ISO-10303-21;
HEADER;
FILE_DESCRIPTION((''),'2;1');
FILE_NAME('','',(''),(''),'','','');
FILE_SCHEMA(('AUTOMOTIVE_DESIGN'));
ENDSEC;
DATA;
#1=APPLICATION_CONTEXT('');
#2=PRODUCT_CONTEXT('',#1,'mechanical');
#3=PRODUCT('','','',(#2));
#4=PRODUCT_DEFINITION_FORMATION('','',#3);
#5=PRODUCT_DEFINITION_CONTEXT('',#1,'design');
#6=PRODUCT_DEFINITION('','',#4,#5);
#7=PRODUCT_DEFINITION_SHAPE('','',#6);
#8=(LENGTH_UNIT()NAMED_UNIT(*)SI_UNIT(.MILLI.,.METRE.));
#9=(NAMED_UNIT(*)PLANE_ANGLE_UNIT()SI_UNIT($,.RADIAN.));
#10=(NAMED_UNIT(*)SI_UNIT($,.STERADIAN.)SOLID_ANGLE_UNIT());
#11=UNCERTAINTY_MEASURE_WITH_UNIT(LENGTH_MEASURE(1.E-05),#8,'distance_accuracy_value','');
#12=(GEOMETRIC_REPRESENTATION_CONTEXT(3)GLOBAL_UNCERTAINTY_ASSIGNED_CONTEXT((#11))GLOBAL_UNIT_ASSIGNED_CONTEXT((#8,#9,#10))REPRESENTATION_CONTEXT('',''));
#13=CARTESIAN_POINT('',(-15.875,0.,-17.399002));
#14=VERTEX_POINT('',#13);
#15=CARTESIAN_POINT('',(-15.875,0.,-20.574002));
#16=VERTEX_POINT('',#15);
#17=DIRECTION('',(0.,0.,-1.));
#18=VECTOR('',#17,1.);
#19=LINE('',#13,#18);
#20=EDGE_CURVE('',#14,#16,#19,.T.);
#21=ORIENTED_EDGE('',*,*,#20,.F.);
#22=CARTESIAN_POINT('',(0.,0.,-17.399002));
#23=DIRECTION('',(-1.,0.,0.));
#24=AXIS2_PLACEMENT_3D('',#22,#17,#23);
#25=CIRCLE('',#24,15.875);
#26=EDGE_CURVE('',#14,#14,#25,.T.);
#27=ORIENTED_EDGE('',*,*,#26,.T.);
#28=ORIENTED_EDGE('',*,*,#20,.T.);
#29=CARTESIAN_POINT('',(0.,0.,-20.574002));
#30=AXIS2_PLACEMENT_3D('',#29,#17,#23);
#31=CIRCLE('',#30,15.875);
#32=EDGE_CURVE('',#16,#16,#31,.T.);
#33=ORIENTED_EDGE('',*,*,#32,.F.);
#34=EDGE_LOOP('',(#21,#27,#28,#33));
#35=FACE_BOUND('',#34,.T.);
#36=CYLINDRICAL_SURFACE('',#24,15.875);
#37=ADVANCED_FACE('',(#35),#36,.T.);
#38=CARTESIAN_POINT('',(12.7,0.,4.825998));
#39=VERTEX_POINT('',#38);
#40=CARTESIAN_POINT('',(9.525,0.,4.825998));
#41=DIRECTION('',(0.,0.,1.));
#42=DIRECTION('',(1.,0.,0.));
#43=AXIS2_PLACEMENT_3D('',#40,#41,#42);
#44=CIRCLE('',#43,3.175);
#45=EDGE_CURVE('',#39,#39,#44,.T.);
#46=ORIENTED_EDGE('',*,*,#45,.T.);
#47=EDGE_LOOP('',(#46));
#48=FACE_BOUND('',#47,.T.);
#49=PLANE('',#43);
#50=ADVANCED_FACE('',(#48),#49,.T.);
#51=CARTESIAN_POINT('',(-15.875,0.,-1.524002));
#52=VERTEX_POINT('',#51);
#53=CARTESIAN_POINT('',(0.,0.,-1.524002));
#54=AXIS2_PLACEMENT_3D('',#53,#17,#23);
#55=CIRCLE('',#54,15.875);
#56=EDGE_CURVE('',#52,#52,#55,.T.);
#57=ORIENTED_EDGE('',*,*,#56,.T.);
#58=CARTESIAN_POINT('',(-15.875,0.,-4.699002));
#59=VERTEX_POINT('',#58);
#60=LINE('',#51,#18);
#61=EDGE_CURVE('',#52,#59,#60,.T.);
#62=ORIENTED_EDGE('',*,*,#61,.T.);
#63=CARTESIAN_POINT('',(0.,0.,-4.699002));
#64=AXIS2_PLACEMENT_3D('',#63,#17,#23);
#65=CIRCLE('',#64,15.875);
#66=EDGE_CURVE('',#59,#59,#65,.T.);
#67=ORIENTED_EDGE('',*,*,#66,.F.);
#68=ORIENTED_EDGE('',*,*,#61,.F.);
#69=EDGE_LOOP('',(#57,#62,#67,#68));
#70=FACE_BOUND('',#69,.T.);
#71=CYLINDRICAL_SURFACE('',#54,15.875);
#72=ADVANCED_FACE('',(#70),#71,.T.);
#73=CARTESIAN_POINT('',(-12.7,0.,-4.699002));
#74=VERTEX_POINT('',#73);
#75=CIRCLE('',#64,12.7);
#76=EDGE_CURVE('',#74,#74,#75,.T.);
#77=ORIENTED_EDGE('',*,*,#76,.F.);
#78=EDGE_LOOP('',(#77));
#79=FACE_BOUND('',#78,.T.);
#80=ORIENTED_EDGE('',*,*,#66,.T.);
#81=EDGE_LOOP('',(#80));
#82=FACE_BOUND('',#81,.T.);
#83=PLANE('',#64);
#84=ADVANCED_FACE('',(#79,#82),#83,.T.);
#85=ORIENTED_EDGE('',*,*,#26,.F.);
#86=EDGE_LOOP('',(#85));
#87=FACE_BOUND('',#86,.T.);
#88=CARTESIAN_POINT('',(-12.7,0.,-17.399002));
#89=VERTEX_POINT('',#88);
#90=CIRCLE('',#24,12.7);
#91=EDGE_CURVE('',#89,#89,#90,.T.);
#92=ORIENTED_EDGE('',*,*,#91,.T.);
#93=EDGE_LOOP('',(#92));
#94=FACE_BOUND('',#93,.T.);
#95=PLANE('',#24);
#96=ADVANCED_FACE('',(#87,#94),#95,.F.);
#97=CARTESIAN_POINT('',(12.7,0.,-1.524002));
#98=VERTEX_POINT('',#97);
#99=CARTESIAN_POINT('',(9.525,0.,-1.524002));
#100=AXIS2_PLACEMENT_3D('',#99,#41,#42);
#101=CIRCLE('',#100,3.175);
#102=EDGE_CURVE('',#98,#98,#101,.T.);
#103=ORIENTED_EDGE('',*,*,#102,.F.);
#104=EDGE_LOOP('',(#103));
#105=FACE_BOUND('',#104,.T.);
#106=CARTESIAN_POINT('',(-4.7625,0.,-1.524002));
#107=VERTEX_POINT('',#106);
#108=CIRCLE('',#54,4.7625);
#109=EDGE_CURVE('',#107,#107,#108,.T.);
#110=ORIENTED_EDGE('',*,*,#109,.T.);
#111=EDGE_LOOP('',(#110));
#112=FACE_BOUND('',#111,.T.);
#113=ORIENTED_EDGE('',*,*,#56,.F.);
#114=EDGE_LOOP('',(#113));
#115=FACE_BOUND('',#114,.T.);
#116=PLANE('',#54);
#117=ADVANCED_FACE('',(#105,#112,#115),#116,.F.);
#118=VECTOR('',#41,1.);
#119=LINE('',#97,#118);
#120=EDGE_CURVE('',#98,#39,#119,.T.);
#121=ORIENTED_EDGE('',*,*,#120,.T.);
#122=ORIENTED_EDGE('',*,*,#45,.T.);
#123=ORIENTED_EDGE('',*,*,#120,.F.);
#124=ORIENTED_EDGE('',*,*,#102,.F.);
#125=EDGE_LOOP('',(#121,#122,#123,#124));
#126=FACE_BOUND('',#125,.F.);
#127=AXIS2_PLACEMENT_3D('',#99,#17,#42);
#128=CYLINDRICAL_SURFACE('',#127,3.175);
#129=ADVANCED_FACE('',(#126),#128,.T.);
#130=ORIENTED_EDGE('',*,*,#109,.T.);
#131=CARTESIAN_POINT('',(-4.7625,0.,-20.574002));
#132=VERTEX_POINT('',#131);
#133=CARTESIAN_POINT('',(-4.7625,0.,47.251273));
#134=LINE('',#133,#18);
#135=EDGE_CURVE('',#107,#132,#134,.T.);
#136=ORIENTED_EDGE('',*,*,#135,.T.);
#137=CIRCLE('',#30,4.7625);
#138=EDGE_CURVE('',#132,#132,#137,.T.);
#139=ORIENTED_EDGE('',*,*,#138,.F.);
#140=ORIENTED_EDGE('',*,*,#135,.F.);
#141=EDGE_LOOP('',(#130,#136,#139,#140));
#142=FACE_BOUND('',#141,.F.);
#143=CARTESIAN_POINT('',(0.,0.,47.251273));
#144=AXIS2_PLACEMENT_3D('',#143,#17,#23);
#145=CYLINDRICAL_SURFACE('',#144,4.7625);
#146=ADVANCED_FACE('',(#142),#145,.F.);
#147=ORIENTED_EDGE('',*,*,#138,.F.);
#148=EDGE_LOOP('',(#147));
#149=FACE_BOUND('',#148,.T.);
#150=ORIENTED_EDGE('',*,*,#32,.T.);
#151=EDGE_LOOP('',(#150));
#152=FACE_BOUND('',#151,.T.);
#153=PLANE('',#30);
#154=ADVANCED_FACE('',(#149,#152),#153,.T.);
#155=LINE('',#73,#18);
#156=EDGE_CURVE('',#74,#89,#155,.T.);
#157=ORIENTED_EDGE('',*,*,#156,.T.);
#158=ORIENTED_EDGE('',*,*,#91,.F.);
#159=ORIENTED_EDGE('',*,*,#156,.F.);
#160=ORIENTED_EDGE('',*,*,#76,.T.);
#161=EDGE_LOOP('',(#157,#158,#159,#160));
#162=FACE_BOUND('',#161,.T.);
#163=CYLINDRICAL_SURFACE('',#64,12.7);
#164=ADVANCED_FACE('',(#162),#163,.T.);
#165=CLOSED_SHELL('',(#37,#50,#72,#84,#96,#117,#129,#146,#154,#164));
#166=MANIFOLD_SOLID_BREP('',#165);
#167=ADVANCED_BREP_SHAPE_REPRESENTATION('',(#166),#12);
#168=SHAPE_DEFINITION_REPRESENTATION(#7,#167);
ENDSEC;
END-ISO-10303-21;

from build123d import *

# Parameters (mm, degrees)
F3_D     = 9.525
F4_R     = 3.175
F5_DEPTH = 6.35


with BuildPart() as f1:
    # F0 (on Front) → F1 (revolve)
    with BuildSketch(Plane.XZ):
        Polygon((0, -4.699002), (0, -1.524002), (-15.875, -1.524002), (-15.875, -4.699002), (-12.7, -4.699002), (-12.7, -17.399002), (-15.875, -17.399002), (-15.875, -20.574002), (0, -20.574002), (0, -17.399002), align=None)
    revolve(axis=Axis((0, 0, -11.049002), (0, 0, -1)))

    # F3 (through all)
    with Locations(Plane.XY.offset(-1.524002)):
        with Locations((0, 0)):
            Hole(F3_D / 2)

    # F4 (on face) → F5 (join)
    with BuildSketch(Plane.XY.offset(-1.524002)):
        with Locations((9.525, 0)):
            Circle(F4_R)
    extrude(amount=F5_DEPTH)


solid = f1.part
